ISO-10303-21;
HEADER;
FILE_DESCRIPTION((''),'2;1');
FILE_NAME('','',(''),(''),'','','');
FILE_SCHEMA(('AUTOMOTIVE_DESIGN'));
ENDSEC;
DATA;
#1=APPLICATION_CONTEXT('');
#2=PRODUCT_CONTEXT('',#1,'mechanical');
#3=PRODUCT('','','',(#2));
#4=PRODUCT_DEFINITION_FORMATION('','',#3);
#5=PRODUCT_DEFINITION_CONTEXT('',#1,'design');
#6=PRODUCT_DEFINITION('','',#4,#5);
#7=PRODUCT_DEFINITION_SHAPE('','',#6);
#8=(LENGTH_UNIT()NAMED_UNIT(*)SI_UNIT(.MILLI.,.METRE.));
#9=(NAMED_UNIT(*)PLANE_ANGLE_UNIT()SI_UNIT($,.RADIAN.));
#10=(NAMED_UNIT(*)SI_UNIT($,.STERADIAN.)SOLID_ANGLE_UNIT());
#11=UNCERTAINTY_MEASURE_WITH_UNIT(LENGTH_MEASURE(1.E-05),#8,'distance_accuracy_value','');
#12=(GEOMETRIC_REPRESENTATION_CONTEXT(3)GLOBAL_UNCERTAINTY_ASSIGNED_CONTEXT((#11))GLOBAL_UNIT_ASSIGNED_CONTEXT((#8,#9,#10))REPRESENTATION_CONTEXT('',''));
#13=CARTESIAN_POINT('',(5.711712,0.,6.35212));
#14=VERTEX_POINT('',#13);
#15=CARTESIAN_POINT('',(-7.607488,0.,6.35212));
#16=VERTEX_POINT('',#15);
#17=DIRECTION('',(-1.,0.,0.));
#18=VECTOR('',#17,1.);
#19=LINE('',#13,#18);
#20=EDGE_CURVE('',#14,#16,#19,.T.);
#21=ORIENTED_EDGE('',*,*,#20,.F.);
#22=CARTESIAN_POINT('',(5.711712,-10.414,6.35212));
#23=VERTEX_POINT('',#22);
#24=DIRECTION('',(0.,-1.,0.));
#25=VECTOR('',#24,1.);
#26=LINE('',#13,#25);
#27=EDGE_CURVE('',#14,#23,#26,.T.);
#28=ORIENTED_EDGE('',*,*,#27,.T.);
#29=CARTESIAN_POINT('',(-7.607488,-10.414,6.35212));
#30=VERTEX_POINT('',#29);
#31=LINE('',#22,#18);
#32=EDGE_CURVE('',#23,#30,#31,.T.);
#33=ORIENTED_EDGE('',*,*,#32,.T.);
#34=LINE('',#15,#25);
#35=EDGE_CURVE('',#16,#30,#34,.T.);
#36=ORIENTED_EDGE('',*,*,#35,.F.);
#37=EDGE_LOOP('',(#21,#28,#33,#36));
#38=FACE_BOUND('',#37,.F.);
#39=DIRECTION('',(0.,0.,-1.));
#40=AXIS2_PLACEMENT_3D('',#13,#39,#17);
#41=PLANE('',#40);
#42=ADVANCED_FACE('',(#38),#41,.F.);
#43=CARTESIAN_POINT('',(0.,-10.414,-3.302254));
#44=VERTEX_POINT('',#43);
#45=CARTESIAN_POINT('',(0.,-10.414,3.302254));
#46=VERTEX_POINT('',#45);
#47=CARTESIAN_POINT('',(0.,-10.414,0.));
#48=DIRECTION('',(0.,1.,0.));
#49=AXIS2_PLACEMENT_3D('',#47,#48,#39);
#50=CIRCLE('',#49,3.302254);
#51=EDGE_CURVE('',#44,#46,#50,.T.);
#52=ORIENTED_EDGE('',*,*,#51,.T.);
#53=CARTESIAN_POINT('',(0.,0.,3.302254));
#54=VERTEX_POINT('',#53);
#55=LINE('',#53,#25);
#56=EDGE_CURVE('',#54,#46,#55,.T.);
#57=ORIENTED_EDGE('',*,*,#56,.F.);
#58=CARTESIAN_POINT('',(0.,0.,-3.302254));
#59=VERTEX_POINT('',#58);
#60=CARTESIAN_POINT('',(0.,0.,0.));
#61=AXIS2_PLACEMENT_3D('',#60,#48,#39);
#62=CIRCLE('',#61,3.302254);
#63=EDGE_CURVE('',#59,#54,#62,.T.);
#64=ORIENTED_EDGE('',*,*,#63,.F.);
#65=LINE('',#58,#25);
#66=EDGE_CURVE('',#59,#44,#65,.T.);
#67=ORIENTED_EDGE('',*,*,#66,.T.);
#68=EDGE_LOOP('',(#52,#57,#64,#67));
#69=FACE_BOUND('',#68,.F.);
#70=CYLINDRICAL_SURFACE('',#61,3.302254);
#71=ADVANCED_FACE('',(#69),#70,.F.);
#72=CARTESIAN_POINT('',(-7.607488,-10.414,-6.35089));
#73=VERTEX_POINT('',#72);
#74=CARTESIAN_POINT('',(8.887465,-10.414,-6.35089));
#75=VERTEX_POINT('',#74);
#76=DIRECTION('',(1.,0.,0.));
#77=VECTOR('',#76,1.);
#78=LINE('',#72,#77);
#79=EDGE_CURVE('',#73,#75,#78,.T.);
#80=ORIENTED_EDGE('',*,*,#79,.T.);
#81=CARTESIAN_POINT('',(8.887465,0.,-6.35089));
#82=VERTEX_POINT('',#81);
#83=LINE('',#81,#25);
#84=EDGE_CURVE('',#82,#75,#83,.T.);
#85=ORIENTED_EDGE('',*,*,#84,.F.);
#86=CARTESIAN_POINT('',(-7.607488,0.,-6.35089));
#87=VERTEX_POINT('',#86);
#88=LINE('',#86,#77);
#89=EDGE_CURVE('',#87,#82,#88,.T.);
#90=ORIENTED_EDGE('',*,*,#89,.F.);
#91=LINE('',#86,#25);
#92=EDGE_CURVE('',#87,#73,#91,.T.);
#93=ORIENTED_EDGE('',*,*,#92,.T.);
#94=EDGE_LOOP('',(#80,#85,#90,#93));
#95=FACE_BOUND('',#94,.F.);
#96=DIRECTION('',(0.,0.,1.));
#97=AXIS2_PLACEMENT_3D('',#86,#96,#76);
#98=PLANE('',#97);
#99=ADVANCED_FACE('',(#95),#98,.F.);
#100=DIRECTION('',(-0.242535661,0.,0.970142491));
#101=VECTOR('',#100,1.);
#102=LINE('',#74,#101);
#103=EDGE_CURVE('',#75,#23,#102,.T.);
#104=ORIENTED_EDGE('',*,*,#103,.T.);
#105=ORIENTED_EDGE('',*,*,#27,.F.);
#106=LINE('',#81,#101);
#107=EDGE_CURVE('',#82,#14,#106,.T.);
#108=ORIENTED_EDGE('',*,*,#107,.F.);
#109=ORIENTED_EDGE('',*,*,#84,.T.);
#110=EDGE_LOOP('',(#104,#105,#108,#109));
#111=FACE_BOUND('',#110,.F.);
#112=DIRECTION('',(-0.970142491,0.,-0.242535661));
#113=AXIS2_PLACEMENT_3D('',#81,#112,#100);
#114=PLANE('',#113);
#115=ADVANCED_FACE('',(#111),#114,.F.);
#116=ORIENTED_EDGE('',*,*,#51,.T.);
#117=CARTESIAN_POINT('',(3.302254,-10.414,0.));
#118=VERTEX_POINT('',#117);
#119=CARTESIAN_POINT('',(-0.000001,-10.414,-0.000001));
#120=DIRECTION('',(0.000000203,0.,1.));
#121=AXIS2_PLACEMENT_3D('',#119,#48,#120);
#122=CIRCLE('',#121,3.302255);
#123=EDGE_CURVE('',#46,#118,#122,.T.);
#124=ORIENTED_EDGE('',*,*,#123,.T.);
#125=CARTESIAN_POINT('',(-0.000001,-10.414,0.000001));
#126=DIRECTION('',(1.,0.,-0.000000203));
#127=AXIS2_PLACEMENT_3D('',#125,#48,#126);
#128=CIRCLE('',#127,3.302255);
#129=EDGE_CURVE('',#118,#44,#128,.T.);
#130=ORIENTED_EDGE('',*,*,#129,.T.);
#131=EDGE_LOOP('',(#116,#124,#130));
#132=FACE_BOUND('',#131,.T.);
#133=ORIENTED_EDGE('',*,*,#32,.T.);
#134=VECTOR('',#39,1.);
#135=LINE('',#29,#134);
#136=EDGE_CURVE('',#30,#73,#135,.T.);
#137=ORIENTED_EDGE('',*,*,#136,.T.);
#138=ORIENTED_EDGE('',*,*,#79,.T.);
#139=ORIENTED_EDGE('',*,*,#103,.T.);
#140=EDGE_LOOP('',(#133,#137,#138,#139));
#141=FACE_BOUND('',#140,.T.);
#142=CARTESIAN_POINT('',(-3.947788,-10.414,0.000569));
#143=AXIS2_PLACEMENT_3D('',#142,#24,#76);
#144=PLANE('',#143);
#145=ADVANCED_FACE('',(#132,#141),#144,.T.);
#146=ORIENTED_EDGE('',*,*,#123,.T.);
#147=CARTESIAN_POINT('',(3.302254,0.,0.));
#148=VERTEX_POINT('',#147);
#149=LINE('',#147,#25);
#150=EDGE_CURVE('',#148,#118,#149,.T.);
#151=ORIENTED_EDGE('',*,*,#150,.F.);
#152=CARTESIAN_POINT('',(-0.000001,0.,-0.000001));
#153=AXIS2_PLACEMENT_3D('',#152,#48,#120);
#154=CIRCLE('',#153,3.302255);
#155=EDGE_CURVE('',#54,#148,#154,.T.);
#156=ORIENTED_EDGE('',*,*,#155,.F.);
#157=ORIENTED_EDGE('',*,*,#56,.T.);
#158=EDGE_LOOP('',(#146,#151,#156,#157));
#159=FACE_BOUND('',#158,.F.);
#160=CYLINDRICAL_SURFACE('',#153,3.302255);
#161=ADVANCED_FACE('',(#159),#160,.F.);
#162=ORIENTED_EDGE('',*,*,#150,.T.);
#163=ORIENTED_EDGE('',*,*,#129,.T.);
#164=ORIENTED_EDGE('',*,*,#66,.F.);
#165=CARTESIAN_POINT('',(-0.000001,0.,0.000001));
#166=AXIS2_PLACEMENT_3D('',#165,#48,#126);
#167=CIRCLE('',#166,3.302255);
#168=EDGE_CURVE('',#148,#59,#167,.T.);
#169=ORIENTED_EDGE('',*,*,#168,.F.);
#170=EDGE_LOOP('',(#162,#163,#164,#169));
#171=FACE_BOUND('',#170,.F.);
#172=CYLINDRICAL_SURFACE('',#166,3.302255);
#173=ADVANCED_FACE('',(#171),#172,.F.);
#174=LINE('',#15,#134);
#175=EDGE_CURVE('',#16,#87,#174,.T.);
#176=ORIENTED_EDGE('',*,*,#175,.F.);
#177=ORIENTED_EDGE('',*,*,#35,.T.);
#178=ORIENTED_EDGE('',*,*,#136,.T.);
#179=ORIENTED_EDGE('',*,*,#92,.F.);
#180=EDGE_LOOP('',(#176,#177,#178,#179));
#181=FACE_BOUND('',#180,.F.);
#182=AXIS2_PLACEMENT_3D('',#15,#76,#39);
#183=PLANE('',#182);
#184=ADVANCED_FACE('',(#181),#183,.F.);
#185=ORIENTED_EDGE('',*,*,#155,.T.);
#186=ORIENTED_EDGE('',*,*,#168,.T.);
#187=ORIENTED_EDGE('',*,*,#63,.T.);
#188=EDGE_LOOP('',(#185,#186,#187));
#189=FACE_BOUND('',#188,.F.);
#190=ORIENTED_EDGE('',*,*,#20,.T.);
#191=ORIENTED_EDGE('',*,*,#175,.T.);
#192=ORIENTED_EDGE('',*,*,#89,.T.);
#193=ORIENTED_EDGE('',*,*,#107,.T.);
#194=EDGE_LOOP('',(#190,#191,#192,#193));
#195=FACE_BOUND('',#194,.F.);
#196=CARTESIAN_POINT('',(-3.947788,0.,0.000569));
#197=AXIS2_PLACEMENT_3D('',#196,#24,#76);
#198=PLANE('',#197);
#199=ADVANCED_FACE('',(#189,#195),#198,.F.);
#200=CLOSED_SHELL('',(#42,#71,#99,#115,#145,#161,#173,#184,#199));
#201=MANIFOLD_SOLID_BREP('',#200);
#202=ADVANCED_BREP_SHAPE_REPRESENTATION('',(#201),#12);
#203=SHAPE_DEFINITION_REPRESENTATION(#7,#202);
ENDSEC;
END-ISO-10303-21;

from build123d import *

# Parameters (mm, degrees)
F1_DEPTH = 10.414


with BuildPart() as f1:
    # F0 (on Front) → F1 (new body)
    with BuildSketch(Plane.XZ):
        with BuildLine():
            ThreePointArc((0, -3.302254), (-3.302254, 0), (0, 3.302254))
            Line((0, 3.302254), (0, 6.35212))
            Line((0, 6.35212), (-7.607488, 6.35212))
            Line((-7.607488, 6.35212), (-7.607488, -6.35089))
            Line((-7.607488, -6.35089), (0, -6.35089))
            Line((0, -6.35089), (0, -3.302254))
        make_face()
        with BuildLine():
            Line((0, 6.35212), (0, 3.302254))
            ThreePointArc((0, 3.302254), (2.335046, 2.335046), (3.302254, 0))
            ThreePointArc((3.302254, 0), (2.335046, -2.335046), (0, -3.302254))
            Line((0, -3.302254), (0, -6.35089))
            Line((0, -6.35089), (8.887465, -6.35089))
            Line((8.887465, -6.35089), (5.711712, 6.35212))
            Line((5.711712, 6.35212), (0, 6.35212))
        make_face()
    extrude(amount=F1_DEPTH)


solid = f1.part
